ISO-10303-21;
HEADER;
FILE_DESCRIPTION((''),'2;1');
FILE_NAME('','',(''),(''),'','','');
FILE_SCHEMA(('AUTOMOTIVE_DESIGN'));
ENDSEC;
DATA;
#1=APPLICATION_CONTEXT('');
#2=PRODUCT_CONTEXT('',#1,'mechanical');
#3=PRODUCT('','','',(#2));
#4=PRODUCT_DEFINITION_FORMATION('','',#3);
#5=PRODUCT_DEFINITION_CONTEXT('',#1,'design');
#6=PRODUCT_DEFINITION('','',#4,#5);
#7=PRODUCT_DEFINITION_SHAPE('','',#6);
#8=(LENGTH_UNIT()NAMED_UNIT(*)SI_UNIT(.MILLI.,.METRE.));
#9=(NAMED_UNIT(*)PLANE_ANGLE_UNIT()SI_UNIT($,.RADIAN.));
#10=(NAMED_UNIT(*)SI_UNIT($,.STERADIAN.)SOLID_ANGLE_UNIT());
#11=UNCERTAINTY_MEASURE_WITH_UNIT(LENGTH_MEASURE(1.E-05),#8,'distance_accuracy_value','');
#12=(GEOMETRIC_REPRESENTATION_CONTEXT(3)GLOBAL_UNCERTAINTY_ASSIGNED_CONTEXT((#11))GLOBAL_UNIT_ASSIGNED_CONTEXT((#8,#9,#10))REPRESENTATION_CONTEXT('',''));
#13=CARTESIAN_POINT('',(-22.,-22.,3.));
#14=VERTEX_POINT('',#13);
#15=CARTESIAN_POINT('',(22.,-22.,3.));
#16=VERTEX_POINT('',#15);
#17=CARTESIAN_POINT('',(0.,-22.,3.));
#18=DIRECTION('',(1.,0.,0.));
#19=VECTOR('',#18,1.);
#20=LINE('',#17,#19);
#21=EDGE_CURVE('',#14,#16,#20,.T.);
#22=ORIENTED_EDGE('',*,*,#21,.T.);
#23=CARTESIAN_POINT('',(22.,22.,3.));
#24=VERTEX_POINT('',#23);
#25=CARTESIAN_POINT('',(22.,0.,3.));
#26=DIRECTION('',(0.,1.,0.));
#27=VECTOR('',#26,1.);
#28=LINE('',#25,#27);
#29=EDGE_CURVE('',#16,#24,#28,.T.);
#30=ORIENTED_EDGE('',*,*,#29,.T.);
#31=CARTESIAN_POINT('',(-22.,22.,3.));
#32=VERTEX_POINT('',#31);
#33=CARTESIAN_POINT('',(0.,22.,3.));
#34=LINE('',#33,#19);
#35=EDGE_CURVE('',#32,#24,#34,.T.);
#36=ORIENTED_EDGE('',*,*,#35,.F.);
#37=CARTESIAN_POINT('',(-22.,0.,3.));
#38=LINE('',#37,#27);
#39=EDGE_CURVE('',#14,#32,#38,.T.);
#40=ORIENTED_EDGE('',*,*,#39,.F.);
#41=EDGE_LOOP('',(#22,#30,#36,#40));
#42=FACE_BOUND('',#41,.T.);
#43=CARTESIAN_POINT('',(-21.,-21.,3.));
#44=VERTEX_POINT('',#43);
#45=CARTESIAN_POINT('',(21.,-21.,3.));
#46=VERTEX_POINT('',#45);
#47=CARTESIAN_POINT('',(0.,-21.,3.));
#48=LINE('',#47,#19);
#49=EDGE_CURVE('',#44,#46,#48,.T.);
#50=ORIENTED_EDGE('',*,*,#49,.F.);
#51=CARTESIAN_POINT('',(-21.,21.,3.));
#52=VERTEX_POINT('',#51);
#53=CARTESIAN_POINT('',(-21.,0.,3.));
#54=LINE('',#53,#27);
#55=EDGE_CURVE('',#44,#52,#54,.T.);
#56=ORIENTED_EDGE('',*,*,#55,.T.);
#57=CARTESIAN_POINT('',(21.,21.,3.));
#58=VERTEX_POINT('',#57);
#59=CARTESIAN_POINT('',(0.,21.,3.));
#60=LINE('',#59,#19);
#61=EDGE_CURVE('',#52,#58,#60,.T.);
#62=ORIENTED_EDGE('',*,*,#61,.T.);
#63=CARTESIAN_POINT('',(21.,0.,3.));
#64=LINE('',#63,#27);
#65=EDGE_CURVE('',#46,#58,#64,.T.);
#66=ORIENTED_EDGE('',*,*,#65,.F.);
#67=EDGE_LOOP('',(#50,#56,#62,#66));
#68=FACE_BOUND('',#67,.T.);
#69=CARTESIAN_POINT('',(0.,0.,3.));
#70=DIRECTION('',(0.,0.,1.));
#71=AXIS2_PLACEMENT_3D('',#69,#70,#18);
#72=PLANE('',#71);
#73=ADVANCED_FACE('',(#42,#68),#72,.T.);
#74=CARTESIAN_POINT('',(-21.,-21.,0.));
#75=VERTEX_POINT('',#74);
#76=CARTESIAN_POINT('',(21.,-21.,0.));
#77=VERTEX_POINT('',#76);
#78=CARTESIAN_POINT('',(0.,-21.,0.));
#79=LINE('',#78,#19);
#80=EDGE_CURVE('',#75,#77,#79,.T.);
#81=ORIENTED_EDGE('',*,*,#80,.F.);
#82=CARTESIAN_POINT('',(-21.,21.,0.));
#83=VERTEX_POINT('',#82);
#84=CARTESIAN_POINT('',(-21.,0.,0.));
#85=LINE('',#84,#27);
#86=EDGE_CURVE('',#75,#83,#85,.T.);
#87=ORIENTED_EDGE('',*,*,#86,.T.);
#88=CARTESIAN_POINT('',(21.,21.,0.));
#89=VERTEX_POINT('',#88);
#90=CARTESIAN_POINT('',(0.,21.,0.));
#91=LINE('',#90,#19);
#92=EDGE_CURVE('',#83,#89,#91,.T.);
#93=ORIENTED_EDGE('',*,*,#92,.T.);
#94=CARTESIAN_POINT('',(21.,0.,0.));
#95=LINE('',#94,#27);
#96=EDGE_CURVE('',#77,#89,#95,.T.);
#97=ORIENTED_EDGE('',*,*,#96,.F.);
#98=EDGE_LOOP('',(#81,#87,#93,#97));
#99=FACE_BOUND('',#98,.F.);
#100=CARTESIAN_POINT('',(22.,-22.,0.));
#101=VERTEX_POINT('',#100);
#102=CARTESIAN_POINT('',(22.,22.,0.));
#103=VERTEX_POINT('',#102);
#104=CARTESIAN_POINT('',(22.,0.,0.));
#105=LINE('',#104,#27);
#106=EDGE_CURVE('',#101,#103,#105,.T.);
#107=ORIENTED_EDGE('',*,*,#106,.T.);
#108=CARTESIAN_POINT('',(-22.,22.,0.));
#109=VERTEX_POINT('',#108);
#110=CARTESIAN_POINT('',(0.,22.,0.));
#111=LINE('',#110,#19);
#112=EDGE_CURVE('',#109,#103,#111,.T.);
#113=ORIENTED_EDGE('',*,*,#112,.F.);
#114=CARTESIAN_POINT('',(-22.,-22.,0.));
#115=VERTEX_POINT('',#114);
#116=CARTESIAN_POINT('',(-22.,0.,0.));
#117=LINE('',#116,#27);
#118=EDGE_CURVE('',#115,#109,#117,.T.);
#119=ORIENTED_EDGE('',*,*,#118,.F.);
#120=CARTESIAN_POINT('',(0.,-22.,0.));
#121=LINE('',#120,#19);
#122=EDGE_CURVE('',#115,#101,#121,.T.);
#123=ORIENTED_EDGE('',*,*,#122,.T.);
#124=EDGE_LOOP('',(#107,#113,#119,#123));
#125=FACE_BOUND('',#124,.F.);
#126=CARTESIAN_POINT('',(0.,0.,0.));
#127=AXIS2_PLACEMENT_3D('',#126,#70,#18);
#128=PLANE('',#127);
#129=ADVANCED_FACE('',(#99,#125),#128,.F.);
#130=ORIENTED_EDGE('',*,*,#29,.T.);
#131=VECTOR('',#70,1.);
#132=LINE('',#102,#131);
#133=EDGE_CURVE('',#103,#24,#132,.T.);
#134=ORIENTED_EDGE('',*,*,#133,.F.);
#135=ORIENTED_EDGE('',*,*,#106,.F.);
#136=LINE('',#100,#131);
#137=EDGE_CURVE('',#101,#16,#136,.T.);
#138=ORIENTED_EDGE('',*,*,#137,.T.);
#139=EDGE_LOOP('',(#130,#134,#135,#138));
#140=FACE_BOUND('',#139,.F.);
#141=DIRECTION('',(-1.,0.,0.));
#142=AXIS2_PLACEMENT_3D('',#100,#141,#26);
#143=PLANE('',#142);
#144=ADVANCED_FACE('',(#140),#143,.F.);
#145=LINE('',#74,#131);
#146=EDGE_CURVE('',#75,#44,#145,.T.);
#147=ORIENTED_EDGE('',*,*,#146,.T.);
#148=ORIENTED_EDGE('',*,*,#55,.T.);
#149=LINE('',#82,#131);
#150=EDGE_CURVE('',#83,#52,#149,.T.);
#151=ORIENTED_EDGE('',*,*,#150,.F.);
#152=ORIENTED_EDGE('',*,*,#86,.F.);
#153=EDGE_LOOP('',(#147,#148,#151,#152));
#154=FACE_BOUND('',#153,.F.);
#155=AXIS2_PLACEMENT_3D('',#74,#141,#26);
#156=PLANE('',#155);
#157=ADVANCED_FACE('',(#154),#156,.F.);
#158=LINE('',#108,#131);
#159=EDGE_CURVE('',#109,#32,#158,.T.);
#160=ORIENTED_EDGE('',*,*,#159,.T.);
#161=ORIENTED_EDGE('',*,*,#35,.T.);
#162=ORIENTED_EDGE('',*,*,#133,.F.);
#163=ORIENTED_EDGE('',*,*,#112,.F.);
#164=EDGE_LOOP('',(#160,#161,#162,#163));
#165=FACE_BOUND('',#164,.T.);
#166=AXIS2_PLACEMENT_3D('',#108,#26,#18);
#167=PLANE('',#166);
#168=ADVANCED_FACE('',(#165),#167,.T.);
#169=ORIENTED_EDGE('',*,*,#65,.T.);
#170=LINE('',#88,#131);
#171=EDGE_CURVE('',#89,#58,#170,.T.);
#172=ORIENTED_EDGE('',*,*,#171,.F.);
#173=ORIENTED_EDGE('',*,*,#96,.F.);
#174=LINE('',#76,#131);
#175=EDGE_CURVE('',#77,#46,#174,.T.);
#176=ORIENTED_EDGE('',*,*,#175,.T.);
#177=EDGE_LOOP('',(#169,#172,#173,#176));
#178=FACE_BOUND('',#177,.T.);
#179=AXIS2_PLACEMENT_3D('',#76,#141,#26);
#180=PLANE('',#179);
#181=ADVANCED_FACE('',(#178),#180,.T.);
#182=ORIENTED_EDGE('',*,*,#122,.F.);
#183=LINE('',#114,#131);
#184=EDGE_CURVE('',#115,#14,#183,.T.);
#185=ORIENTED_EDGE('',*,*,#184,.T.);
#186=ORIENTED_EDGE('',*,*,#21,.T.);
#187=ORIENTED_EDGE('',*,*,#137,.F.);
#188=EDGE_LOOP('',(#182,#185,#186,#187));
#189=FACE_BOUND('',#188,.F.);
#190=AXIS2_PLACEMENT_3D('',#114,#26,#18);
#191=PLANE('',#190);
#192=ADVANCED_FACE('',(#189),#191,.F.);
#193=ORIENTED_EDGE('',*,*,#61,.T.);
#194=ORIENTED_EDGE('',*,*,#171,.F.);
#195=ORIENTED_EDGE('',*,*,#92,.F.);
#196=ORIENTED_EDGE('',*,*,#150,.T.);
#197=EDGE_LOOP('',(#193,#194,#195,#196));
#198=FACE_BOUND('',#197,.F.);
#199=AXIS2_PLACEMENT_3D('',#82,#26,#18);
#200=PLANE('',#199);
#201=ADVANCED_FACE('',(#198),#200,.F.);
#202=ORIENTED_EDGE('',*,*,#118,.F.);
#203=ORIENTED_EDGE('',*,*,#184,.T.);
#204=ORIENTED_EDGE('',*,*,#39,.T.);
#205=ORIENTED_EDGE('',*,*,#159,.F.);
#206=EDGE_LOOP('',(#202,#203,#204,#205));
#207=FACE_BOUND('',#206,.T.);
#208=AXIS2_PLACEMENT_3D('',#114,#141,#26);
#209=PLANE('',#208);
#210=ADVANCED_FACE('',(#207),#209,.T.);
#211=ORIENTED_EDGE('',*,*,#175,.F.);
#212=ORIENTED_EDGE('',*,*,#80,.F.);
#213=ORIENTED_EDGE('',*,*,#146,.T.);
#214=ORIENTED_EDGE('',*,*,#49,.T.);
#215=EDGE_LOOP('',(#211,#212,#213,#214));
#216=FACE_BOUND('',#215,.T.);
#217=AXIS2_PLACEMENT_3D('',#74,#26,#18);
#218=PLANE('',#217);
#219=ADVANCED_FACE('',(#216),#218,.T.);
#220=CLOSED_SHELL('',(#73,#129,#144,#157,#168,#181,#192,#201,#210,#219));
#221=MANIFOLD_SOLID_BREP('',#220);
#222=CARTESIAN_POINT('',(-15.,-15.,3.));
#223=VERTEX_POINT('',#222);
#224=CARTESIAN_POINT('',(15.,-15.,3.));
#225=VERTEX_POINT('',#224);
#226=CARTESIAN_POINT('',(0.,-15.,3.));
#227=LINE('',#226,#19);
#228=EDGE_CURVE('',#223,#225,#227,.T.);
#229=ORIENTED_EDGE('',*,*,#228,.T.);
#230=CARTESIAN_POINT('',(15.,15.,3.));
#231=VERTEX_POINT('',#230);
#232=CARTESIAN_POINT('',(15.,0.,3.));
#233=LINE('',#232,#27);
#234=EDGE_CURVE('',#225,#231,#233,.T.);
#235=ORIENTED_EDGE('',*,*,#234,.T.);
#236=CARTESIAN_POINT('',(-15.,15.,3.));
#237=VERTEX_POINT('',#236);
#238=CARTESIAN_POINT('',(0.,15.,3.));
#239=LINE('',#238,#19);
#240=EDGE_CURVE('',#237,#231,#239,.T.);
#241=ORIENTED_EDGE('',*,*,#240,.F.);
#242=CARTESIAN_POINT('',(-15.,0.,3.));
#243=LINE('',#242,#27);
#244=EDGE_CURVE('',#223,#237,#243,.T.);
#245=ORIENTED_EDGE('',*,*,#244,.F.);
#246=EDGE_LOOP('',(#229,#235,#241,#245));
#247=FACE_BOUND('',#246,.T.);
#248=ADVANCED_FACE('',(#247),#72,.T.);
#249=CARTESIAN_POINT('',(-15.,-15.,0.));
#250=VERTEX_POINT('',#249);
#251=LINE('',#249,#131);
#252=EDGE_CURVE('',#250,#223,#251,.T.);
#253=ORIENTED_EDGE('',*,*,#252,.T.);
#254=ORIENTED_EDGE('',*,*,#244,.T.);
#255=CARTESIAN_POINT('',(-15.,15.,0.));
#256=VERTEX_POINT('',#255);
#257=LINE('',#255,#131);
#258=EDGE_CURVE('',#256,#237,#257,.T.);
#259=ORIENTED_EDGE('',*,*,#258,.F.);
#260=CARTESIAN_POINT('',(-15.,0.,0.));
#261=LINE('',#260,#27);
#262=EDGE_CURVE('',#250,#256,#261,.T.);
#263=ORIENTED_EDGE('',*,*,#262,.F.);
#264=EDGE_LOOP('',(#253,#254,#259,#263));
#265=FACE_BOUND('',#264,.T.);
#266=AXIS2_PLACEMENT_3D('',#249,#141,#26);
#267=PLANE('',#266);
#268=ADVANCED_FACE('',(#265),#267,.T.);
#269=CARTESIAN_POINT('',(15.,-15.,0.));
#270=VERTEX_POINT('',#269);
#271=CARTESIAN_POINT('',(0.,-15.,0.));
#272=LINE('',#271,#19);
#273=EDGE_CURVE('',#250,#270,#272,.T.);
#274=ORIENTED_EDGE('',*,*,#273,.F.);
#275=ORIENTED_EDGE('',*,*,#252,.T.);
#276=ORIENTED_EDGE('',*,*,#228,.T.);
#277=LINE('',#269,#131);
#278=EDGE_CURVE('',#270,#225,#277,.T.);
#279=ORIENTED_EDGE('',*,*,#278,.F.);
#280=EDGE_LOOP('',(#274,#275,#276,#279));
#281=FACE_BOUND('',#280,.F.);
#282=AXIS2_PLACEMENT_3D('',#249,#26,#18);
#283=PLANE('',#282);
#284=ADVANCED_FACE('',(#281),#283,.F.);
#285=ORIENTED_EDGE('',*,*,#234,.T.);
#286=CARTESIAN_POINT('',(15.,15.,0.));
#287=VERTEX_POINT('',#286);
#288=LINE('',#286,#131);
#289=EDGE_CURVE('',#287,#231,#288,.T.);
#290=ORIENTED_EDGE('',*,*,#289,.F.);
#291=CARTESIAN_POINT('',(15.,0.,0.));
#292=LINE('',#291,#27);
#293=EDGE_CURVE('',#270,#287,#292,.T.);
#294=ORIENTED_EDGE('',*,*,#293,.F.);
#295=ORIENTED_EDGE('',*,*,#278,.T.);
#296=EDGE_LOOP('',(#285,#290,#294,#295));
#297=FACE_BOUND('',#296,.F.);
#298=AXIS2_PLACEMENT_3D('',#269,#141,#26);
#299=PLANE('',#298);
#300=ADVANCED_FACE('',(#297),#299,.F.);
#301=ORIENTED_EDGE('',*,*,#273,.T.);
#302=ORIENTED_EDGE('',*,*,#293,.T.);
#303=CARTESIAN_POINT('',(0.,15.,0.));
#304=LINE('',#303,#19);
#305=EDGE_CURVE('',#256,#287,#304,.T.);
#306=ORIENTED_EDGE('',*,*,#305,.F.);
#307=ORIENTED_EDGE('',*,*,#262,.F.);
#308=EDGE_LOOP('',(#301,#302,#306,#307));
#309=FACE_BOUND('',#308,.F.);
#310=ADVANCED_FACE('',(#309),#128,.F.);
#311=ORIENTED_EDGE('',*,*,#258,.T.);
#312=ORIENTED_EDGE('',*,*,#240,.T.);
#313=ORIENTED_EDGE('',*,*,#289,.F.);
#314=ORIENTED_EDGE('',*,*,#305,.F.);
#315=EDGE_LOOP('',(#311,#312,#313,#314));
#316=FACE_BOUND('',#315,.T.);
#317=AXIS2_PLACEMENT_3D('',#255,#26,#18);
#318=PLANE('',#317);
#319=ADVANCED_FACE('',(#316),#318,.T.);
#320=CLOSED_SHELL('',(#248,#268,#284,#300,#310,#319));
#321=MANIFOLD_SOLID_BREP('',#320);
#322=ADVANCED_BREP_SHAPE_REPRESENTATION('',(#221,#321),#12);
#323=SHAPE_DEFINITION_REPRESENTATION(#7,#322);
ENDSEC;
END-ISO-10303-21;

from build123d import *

# Parameters (mm, degrees)
F0_W     = 44
F0_H     = 44
F0_W_2   = 42
F0_H_2   = 42
F0_W_3   = 30
F0_H_3   = 30
F1_DEPTH = 3
F2_DEPTH = 3


with BuildPart() as f1:
    # F0 (on Top) → F1 (new body)
    with BuildSketch(Plane.XY):
        Rectangle(F0_W, F0_H)
        Rectangle(F0_W_2, F0_H_2, mode=Mode.SUBTRACT)
        Rectangle(F0_W_3, F0_H_3)
    extrude(amount=F1_DEPTH)

    # F0 (on Top) → F2 (join)
    with BuildSketch(Plane.XY):
        Rectangle(F0_W, F0_H)
        Rectangle(F0_W_2, F0_H_2, mode=Mode.SUBTRACT)
    extrude(amount=F2_DEPTH)


solid = f1.part
